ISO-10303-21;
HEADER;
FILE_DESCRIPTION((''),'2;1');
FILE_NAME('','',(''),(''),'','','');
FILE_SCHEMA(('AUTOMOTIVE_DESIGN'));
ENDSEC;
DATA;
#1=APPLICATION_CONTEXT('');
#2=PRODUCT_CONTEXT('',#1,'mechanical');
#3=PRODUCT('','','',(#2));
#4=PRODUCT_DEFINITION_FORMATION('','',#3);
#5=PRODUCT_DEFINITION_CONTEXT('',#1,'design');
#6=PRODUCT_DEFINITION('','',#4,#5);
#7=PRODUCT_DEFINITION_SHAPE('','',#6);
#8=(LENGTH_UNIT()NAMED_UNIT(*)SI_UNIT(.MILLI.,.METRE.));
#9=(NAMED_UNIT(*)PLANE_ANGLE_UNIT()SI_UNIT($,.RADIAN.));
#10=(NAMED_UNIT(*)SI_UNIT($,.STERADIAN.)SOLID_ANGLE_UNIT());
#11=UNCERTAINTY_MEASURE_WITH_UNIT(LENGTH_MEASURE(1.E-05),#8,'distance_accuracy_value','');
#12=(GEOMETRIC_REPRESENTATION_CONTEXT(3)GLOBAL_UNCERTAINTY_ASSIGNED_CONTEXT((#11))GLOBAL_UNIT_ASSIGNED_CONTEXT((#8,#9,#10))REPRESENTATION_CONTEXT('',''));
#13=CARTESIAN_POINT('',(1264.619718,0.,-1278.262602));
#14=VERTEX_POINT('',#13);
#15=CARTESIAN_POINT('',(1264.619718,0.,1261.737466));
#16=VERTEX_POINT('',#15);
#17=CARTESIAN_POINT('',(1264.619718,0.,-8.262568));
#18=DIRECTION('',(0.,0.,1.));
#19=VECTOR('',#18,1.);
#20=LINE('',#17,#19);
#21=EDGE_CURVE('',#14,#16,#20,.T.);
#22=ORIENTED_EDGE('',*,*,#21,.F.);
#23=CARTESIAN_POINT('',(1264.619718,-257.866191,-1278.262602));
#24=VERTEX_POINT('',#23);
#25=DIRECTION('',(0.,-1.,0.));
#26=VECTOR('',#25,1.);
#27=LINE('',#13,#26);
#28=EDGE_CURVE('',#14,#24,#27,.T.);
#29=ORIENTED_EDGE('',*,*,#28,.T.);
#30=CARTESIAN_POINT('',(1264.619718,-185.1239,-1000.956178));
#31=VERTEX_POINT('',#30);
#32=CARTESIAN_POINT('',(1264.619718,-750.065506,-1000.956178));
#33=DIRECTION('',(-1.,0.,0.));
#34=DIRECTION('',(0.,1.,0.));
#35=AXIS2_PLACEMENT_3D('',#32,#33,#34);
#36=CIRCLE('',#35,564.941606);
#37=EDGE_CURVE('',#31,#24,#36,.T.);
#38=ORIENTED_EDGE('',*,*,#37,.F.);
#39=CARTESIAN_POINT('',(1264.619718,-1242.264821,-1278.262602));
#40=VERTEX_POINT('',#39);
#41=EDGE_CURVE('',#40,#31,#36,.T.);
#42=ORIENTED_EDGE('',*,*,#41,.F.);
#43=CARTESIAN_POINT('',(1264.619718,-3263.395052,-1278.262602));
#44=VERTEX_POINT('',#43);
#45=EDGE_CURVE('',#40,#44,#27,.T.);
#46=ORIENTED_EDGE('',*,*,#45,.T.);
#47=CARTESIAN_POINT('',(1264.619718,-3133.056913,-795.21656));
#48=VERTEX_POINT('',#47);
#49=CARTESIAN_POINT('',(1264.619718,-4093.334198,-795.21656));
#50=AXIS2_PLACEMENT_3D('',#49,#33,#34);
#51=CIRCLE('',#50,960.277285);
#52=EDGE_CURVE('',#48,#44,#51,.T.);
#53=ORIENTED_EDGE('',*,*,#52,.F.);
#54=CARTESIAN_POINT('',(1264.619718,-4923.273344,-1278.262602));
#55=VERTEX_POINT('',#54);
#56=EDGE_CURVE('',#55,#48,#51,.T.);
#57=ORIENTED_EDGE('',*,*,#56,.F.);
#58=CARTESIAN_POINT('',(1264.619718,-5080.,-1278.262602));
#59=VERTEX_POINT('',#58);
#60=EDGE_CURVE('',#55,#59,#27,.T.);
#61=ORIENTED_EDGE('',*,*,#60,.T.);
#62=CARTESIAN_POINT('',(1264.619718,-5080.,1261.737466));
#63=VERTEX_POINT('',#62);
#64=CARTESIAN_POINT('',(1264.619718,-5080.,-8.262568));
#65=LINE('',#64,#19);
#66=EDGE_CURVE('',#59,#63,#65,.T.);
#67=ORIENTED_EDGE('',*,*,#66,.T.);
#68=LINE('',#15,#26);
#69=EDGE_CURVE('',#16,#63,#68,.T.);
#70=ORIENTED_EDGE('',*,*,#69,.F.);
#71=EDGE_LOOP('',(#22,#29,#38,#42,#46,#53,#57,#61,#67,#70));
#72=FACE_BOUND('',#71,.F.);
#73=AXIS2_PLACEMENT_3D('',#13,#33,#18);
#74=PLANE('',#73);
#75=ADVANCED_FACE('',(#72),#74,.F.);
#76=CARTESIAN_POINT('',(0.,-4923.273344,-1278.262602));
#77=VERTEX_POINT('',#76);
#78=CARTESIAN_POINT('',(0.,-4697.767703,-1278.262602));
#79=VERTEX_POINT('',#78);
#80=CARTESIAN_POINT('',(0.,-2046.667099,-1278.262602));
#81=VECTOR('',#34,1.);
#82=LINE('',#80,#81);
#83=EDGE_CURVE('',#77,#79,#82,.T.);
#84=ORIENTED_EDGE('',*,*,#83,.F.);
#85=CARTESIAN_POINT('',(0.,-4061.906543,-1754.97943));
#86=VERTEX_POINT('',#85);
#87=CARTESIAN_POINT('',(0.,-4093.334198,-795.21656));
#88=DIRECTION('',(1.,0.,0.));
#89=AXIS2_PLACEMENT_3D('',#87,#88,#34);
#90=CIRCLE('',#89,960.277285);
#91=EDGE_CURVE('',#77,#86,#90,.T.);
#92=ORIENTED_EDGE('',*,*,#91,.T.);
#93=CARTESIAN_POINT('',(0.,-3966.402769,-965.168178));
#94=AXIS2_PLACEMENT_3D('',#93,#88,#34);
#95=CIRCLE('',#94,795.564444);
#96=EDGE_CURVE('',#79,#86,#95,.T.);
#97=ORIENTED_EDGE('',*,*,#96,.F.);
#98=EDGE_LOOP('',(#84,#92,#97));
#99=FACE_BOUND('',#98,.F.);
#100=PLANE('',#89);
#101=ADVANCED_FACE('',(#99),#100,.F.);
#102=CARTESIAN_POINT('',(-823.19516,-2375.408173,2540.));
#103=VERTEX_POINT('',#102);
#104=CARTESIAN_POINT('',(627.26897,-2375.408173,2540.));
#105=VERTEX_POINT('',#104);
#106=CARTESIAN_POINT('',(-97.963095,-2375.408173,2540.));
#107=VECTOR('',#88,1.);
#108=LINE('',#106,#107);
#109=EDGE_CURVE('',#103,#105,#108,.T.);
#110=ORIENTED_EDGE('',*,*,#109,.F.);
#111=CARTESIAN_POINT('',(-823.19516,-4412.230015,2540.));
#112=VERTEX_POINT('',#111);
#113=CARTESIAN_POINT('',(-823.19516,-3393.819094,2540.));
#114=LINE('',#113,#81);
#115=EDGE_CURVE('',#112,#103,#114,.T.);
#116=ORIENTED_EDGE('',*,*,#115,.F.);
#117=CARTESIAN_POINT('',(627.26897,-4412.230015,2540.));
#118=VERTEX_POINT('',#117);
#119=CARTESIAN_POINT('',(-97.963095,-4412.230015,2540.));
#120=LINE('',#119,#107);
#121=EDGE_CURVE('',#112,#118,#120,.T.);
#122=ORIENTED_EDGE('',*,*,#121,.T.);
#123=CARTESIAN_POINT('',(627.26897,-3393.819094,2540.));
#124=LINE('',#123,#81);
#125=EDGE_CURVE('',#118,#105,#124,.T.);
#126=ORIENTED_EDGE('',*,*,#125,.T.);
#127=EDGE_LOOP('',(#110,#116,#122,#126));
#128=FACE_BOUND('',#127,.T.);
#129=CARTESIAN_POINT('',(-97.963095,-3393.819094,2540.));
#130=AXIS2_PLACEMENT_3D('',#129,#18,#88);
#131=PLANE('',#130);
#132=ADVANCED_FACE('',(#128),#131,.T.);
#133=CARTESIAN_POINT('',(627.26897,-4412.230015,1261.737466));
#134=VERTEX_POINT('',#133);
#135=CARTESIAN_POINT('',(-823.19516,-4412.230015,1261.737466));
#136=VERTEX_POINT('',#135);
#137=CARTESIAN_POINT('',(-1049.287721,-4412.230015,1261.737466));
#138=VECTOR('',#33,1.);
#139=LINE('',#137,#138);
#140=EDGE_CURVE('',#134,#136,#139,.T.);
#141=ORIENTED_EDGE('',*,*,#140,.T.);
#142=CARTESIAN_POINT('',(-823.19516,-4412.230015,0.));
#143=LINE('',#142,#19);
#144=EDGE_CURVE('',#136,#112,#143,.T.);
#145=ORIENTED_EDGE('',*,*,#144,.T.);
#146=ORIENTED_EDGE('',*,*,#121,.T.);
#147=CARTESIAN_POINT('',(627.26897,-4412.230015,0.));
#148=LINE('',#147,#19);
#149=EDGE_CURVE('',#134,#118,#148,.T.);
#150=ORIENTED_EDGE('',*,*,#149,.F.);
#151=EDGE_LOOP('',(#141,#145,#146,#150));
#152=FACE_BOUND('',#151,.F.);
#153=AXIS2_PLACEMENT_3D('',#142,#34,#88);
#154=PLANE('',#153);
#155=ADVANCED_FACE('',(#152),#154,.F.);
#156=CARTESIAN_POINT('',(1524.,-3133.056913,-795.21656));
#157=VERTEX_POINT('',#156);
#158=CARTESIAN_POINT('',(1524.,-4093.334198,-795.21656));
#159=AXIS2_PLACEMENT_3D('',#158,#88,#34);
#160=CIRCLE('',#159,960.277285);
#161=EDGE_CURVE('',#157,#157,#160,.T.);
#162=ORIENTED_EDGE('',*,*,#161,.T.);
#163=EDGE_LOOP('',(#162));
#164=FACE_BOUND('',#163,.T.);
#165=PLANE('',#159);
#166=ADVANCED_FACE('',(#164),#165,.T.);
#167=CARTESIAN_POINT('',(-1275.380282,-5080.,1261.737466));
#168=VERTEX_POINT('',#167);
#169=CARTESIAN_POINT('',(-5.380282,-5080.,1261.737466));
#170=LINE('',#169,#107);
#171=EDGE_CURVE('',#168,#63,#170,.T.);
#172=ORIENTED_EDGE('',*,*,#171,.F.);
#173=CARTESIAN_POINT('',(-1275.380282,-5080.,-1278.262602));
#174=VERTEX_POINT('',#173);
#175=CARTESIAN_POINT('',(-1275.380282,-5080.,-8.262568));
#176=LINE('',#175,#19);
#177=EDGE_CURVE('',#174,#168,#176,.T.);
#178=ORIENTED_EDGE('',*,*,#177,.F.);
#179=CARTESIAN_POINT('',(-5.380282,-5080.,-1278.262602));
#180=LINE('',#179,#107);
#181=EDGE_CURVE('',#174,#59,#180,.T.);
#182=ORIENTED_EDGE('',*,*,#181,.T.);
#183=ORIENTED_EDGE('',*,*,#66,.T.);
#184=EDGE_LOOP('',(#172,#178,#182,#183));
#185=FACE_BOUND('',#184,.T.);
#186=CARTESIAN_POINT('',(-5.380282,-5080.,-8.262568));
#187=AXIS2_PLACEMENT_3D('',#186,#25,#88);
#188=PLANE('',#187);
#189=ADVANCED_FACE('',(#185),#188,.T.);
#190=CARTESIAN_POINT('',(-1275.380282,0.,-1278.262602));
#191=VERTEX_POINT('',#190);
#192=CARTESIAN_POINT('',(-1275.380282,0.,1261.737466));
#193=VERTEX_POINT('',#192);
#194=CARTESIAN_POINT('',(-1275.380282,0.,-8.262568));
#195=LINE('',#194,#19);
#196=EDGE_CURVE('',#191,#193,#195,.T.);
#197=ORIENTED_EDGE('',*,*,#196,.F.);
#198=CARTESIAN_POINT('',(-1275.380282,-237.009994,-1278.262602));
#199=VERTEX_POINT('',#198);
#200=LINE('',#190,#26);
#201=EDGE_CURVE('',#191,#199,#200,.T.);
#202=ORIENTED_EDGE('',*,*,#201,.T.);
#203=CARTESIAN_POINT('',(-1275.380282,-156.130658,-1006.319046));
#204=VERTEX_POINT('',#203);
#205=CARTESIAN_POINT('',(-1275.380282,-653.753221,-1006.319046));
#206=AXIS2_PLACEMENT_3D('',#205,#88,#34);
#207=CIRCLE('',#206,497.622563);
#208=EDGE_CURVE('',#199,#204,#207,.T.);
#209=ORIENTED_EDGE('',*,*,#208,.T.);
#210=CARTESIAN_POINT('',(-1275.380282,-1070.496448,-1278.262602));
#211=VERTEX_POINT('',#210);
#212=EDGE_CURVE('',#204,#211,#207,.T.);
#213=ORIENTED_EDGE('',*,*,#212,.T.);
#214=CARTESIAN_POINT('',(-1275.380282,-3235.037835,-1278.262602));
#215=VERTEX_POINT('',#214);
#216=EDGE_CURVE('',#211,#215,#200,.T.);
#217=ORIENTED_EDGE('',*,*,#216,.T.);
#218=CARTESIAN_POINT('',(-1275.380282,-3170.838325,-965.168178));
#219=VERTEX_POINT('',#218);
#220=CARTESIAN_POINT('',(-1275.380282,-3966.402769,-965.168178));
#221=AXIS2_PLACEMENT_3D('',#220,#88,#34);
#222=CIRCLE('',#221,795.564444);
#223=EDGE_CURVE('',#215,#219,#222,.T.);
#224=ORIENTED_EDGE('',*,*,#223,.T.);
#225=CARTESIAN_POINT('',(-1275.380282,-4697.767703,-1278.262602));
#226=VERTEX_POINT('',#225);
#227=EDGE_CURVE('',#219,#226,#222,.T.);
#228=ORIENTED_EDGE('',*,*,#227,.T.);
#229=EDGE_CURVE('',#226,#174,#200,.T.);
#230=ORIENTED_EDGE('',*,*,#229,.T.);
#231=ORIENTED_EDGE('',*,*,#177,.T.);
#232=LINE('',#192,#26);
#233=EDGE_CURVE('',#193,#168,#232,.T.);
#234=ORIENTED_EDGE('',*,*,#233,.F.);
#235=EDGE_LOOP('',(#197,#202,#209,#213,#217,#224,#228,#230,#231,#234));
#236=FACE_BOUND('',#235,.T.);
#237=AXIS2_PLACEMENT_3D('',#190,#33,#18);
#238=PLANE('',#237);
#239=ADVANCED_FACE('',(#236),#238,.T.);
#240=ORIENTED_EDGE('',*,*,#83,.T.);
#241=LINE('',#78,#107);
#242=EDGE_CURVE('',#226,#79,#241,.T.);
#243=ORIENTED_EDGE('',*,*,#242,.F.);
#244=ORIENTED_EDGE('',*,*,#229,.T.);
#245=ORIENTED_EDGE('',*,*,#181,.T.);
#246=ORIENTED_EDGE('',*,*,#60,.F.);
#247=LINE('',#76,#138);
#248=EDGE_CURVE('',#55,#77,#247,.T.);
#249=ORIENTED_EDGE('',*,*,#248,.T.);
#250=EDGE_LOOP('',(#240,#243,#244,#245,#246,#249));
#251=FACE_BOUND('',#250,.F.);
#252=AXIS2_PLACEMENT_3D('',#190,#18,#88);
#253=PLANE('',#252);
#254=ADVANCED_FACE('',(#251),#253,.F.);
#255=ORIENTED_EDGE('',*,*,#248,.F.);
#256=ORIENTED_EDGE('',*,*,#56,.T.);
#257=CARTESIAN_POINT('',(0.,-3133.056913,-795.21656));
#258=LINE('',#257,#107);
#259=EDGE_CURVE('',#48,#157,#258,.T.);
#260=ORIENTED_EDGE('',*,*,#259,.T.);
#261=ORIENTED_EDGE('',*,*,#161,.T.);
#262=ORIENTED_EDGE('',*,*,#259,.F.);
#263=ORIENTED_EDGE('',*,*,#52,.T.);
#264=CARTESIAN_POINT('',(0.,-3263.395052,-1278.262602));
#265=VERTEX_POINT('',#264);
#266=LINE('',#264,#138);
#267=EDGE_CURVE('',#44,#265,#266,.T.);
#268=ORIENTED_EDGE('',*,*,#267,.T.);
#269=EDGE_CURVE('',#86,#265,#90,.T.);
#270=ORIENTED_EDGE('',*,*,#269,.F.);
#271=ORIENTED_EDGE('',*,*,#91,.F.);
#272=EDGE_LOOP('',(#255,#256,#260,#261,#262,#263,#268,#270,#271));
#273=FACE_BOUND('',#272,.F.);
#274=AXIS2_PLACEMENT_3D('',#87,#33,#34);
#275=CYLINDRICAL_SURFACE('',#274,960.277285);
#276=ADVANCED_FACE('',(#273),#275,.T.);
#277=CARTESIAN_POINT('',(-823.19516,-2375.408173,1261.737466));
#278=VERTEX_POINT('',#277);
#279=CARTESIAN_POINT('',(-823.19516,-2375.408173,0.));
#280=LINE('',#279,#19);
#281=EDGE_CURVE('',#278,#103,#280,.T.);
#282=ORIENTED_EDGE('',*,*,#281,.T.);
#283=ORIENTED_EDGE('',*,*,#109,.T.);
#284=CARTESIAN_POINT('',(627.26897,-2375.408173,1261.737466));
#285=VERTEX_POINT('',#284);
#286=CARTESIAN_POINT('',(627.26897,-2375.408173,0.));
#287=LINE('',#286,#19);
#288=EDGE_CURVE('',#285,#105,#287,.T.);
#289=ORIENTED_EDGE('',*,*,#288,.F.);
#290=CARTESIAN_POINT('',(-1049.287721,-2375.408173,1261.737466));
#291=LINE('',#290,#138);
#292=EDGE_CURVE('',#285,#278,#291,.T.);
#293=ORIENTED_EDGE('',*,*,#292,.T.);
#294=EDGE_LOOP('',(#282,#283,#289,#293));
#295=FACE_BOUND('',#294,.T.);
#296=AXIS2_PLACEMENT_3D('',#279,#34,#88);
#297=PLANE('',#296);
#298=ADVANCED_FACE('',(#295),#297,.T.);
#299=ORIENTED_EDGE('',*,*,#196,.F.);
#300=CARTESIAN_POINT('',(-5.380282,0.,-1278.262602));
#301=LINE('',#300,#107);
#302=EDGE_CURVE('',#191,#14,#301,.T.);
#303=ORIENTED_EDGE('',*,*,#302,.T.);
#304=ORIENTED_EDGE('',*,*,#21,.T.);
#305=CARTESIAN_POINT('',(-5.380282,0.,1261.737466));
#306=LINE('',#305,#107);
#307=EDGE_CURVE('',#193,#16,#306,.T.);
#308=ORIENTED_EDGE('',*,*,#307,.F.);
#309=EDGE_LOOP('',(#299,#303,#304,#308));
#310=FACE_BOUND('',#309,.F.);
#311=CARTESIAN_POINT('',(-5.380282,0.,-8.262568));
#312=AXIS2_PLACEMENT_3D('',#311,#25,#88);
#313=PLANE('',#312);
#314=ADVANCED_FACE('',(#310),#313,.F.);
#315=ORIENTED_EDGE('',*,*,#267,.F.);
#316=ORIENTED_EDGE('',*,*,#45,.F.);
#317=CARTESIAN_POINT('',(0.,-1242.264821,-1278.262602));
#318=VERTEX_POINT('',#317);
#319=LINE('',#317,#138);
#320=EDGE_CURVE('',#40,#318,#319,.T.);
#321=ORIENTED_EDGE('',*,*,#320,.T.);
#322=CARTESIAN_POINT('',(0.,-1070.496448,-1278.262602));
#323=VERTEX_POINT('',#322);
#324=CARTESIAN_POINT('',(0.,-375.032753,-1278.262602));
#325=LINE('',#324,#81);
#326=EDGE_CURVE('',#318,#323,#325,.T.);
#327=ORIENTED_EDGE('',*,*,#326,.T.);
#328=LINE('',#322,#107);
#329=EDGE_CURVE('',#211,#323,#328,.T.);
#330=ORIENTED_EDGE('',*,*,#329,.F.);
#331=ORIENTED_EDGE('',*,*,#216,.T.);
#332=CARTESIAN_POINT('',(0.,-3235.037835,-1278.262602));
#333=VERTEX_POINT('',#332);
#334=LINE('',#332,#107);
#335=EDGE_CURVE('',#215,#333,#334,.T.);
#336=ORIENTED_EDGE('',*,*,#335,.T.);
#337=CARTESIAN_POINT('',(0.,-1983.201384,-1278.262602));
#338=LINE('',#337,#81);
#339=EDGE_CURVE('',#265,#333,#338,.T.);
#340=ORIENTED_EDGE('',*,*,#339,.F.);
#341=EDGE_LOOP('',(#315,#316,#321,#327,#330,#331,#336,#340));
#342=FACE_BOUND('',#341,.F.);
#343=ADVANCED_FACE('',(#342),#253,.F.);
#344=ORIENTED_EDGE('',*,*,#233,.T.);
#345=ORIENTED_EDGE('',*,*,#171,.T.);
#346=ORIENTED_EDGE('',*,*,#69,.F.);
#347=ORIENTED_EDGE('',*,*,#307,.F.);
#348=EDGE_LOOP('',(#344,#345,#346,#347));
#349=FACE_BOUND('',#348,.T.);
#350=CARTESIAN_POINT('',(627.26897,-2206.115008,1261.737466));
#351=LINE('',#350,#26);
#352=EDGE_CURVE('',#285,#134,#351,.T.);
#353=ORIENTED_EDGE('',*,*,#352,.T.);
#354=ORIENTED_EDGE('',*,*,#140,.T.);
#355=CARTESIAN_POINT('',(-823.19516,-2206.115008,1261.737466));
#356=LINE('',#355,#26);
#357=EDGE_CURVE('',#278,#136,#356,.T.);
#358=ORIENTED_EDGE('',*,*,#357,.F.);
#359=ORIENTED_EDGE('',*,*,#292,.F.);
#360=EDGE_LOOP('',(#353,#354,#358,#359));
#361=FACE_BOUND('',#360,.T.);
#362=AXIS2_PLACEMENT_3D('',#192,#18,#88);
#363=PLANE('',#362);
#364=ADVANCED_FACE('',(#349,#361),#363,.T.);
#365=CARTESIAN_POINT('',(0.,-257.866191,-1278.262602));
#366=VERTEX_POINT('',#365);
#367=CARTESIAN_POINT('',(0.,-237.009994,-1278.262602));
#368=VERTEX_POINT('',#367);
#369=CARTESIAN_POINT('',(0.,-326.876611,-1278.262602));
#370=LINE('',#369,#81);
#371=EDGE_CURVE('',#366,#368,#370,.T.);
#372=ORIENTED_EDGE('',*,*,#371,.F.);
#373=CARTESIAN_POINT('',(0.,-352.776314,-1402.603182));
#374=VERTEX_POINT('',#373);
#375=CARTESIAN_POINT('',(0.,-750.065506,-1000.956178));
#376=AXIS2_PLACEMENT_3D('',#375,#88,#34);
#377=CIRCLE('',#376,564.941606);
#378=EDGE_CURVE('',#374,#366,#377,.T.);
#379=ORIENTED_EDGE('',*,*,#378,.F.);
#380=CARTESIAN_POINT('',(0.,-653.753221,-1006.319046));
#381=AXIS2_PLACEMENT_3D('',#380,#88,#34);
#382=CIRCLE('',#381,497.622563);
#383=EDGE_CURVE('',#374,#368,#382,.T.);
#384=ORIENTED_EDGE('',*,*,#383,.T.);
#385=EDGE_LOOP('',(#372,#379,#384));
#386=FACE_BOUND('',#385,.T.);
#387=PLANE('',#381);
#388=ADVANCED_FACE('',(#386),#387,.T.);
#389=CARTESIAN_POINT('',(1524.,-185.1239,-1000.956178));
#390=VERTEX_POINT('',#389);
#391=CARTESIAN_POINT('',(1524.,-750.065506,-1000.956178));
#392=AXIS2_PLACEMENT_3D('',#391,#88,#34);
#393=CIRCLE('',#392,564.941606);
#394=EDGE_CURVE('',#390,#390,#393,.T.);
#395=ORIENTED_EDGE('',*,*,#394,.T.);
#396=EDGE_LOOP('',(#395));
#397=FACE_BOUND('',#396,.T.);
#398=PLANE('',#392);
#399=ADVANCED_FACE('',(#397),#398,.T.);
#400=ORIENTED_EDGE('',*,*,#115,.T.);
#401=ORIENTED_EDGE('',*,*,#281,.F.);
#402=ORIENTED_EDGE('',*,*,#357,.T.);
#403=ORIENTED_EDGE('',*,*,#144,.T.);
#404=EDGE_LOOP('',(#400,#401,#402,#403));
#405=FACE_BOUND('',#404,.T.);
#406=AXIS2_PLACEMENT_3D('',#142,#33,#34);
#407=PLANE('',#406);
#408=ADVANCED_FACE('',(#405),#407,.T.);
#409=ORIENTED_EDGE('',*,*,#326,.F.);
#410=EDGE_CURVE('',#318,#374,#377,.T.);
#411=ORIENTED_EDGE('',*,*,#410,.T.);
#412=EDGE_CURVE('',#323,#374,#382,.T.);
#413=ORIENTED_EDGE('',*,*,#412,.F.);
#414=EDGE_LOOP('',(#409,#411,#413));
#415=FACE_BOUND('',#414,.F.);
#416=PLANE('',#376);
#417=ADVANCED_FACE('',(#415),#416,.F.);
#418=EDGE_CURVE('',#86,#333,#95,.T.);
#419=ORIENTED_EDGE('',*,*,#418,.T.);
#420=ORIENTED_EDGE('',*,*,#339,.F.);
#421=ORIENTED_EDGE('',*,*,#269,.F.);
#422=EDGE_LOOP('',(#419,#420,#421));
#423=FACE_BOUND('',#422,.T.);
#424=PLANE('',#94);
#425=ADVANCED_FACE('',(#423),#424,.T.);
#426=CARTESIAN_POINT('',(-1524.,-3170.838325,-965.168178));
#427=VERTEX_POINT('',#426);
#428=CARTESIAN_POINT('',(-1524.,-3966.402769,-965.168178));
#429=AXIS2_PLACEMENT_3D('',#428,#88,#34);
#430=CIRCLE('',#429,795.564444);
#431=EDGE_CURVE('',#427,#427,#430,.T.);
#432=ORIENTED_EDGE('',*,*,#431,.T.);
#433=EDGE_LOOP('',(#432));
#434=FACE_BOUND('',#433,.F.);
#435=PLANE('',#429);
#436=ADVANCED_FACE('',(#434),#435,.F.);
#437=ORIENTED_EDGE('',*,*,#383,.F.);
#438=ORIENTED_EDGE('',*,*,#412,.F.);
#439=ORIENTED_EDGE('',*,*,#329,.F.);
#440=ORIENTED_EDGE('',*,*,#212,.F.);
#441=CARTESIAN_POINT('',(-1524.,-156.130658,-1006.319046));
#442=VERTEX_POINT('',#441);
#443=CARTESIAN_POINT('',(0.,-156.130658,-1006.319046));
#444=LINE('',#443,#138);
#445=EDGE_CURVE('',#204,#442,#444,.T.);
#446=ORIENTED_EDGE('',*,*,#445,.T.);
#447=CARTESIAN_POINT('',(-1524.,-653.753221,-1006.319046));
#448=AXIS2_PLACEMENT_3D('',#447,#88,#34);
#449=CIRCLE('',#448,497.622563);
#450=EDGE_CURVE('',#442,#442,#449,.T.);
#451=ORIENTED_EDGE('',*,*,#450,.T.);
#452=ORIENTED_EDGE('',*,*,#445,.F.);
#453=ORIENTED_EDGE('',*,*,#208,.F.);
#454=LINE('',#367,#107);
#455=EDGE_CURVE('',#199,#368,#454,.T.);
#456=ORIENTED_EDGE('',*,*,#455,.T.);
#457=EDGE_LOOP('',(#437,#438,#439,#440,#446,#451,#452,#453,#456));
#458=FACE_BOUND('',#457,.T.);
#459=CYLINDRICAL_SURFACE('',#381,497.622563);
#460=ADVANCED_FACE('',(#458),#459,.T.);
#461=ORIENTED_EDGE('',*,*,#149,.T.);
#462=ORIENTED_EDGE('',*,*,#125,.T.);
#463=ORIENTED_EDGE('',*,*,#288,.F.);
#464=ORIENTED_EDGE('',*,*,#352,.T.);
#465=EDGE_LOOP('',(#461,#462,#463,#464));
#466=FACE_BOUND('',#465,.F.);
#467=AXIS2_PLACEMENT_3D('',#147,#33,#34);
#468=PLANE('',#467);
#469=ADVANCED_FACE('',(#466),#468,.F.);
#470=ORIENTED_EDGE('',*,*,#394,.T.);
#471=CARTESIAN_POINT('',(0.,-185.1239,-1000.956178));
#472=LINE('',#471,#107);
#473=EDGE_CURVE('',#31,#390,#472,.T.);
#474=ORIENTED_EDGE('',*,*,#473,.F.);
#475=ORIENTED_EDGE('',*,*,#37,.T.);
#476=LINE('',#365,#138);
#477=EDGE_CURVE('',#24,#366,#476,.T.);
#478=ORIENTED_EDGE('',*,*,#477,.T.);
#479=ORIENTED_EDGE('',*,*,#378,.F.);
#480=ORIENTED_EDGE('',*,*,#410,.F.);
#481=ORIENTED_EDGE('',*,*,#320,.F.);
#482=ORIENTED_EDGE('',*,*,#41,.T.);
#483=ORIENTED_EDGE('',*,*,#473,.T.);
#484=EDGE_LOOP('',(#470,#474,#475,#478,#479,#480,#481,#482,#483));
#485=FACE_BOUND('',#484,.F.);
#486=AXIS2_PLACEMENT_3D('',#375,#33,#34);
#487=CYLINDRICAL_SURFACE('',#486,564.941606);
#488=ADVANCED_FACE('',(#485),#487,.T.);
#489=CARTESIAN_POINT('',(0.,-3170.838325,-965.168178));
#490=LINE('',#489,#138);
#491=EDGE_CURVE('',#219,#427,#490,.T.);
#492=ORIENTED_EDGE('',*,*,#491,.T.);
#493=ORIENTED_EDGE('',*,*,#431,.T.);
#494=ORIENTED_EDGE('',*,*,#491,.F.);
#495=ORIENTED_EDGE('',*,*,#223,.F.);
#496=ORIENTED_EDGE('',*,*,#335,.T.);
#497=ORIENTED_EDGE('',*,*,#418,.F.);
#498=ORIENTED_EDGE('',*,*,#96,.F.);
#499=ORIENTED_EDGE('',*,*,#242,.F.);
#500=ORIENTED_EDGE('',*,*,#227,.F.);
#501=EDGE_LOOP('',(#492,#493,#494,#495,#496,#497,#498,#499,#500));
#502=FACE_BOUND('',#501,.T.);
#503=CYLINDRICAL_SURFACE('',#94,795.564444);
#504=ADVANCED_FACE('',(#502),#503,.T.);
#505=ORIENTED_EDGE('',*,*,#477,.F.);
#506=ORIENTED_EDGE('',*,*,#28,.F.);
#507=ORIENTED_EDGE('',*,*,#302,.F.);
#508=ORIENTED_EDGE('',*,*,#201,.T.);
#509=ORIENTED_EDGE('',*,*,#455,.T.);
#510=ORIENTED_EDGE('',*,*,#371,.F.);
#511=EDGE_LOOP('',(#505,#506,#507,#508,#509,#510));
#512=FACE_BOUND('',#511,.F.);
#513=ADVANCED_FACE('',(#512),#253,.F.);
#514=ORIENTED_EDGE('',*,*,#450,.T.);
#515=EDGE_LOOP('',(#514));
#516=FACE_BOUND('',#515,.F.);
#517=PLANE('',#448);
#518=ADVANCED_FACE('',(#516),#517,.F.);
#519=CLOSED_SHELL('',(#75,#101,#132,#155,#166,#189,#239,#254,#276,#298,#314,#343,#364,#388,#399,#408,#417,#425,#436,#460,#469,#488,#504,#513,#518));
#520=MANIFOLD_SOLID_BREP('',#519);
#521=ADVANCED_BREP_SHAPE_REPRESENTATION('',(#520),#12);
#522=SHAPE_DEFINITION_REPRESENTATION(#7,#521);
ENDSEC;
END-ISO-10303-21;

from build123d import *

# Parameters (mm, degrees)
F0_W     = 2540
F0_H     = 2540.000068
F1_DEPTH = 5080
F2_W     = 1450.464129
F2_H     = 2036.821842
F3_DEPTH = 2540
F4_R     = 564.941606
F4_R_2   = 960.277285
F5_DEPTH = 1524
F6_R     = 497.622563
F6_R_2   = 795.564444
F7_DEPTH = 1524


with BuildPart() as f1:
    # F0 (on Front) → F1 (new body)
    with BuildSketch(Plane.XZ):
        with Locations((-5.380282, -8.262568)):
            Rectangle(F0_W, F0_H)
    extrude(amount=F1_DEPTH)

    # F2 (on Top) → F3 (join)
    with BuildSketch(Plane.XY):
        with Locations((-97.963095, -3393.819094)):
            Rectangle(F2_W, F2_H)
    extrude(amount=F3_DEPTH)

    # F4 (on Right) → F5 (join)
    with BuildSketch(Plane.YZ):
        with Locations((-750.065506, -1000.956178)):
            Circle(F4_R)
        with Locations((-4093.334198, -795.21656)):
            Circle(F4_R_2)
    extrude(amount=F5_DEPTH)

    # F6 (on Right) → F7 (join)
    with BuildSketch(Plane.YZ):
        with Locations((-653.753221, -1006.319046)):
            Circle(F6_R)
        with Locations((-3966.402769, -965.168178)):
            Circle(F6_R_2)
    extrude(amount=-F7_DEPTH)


solid = f1.part
